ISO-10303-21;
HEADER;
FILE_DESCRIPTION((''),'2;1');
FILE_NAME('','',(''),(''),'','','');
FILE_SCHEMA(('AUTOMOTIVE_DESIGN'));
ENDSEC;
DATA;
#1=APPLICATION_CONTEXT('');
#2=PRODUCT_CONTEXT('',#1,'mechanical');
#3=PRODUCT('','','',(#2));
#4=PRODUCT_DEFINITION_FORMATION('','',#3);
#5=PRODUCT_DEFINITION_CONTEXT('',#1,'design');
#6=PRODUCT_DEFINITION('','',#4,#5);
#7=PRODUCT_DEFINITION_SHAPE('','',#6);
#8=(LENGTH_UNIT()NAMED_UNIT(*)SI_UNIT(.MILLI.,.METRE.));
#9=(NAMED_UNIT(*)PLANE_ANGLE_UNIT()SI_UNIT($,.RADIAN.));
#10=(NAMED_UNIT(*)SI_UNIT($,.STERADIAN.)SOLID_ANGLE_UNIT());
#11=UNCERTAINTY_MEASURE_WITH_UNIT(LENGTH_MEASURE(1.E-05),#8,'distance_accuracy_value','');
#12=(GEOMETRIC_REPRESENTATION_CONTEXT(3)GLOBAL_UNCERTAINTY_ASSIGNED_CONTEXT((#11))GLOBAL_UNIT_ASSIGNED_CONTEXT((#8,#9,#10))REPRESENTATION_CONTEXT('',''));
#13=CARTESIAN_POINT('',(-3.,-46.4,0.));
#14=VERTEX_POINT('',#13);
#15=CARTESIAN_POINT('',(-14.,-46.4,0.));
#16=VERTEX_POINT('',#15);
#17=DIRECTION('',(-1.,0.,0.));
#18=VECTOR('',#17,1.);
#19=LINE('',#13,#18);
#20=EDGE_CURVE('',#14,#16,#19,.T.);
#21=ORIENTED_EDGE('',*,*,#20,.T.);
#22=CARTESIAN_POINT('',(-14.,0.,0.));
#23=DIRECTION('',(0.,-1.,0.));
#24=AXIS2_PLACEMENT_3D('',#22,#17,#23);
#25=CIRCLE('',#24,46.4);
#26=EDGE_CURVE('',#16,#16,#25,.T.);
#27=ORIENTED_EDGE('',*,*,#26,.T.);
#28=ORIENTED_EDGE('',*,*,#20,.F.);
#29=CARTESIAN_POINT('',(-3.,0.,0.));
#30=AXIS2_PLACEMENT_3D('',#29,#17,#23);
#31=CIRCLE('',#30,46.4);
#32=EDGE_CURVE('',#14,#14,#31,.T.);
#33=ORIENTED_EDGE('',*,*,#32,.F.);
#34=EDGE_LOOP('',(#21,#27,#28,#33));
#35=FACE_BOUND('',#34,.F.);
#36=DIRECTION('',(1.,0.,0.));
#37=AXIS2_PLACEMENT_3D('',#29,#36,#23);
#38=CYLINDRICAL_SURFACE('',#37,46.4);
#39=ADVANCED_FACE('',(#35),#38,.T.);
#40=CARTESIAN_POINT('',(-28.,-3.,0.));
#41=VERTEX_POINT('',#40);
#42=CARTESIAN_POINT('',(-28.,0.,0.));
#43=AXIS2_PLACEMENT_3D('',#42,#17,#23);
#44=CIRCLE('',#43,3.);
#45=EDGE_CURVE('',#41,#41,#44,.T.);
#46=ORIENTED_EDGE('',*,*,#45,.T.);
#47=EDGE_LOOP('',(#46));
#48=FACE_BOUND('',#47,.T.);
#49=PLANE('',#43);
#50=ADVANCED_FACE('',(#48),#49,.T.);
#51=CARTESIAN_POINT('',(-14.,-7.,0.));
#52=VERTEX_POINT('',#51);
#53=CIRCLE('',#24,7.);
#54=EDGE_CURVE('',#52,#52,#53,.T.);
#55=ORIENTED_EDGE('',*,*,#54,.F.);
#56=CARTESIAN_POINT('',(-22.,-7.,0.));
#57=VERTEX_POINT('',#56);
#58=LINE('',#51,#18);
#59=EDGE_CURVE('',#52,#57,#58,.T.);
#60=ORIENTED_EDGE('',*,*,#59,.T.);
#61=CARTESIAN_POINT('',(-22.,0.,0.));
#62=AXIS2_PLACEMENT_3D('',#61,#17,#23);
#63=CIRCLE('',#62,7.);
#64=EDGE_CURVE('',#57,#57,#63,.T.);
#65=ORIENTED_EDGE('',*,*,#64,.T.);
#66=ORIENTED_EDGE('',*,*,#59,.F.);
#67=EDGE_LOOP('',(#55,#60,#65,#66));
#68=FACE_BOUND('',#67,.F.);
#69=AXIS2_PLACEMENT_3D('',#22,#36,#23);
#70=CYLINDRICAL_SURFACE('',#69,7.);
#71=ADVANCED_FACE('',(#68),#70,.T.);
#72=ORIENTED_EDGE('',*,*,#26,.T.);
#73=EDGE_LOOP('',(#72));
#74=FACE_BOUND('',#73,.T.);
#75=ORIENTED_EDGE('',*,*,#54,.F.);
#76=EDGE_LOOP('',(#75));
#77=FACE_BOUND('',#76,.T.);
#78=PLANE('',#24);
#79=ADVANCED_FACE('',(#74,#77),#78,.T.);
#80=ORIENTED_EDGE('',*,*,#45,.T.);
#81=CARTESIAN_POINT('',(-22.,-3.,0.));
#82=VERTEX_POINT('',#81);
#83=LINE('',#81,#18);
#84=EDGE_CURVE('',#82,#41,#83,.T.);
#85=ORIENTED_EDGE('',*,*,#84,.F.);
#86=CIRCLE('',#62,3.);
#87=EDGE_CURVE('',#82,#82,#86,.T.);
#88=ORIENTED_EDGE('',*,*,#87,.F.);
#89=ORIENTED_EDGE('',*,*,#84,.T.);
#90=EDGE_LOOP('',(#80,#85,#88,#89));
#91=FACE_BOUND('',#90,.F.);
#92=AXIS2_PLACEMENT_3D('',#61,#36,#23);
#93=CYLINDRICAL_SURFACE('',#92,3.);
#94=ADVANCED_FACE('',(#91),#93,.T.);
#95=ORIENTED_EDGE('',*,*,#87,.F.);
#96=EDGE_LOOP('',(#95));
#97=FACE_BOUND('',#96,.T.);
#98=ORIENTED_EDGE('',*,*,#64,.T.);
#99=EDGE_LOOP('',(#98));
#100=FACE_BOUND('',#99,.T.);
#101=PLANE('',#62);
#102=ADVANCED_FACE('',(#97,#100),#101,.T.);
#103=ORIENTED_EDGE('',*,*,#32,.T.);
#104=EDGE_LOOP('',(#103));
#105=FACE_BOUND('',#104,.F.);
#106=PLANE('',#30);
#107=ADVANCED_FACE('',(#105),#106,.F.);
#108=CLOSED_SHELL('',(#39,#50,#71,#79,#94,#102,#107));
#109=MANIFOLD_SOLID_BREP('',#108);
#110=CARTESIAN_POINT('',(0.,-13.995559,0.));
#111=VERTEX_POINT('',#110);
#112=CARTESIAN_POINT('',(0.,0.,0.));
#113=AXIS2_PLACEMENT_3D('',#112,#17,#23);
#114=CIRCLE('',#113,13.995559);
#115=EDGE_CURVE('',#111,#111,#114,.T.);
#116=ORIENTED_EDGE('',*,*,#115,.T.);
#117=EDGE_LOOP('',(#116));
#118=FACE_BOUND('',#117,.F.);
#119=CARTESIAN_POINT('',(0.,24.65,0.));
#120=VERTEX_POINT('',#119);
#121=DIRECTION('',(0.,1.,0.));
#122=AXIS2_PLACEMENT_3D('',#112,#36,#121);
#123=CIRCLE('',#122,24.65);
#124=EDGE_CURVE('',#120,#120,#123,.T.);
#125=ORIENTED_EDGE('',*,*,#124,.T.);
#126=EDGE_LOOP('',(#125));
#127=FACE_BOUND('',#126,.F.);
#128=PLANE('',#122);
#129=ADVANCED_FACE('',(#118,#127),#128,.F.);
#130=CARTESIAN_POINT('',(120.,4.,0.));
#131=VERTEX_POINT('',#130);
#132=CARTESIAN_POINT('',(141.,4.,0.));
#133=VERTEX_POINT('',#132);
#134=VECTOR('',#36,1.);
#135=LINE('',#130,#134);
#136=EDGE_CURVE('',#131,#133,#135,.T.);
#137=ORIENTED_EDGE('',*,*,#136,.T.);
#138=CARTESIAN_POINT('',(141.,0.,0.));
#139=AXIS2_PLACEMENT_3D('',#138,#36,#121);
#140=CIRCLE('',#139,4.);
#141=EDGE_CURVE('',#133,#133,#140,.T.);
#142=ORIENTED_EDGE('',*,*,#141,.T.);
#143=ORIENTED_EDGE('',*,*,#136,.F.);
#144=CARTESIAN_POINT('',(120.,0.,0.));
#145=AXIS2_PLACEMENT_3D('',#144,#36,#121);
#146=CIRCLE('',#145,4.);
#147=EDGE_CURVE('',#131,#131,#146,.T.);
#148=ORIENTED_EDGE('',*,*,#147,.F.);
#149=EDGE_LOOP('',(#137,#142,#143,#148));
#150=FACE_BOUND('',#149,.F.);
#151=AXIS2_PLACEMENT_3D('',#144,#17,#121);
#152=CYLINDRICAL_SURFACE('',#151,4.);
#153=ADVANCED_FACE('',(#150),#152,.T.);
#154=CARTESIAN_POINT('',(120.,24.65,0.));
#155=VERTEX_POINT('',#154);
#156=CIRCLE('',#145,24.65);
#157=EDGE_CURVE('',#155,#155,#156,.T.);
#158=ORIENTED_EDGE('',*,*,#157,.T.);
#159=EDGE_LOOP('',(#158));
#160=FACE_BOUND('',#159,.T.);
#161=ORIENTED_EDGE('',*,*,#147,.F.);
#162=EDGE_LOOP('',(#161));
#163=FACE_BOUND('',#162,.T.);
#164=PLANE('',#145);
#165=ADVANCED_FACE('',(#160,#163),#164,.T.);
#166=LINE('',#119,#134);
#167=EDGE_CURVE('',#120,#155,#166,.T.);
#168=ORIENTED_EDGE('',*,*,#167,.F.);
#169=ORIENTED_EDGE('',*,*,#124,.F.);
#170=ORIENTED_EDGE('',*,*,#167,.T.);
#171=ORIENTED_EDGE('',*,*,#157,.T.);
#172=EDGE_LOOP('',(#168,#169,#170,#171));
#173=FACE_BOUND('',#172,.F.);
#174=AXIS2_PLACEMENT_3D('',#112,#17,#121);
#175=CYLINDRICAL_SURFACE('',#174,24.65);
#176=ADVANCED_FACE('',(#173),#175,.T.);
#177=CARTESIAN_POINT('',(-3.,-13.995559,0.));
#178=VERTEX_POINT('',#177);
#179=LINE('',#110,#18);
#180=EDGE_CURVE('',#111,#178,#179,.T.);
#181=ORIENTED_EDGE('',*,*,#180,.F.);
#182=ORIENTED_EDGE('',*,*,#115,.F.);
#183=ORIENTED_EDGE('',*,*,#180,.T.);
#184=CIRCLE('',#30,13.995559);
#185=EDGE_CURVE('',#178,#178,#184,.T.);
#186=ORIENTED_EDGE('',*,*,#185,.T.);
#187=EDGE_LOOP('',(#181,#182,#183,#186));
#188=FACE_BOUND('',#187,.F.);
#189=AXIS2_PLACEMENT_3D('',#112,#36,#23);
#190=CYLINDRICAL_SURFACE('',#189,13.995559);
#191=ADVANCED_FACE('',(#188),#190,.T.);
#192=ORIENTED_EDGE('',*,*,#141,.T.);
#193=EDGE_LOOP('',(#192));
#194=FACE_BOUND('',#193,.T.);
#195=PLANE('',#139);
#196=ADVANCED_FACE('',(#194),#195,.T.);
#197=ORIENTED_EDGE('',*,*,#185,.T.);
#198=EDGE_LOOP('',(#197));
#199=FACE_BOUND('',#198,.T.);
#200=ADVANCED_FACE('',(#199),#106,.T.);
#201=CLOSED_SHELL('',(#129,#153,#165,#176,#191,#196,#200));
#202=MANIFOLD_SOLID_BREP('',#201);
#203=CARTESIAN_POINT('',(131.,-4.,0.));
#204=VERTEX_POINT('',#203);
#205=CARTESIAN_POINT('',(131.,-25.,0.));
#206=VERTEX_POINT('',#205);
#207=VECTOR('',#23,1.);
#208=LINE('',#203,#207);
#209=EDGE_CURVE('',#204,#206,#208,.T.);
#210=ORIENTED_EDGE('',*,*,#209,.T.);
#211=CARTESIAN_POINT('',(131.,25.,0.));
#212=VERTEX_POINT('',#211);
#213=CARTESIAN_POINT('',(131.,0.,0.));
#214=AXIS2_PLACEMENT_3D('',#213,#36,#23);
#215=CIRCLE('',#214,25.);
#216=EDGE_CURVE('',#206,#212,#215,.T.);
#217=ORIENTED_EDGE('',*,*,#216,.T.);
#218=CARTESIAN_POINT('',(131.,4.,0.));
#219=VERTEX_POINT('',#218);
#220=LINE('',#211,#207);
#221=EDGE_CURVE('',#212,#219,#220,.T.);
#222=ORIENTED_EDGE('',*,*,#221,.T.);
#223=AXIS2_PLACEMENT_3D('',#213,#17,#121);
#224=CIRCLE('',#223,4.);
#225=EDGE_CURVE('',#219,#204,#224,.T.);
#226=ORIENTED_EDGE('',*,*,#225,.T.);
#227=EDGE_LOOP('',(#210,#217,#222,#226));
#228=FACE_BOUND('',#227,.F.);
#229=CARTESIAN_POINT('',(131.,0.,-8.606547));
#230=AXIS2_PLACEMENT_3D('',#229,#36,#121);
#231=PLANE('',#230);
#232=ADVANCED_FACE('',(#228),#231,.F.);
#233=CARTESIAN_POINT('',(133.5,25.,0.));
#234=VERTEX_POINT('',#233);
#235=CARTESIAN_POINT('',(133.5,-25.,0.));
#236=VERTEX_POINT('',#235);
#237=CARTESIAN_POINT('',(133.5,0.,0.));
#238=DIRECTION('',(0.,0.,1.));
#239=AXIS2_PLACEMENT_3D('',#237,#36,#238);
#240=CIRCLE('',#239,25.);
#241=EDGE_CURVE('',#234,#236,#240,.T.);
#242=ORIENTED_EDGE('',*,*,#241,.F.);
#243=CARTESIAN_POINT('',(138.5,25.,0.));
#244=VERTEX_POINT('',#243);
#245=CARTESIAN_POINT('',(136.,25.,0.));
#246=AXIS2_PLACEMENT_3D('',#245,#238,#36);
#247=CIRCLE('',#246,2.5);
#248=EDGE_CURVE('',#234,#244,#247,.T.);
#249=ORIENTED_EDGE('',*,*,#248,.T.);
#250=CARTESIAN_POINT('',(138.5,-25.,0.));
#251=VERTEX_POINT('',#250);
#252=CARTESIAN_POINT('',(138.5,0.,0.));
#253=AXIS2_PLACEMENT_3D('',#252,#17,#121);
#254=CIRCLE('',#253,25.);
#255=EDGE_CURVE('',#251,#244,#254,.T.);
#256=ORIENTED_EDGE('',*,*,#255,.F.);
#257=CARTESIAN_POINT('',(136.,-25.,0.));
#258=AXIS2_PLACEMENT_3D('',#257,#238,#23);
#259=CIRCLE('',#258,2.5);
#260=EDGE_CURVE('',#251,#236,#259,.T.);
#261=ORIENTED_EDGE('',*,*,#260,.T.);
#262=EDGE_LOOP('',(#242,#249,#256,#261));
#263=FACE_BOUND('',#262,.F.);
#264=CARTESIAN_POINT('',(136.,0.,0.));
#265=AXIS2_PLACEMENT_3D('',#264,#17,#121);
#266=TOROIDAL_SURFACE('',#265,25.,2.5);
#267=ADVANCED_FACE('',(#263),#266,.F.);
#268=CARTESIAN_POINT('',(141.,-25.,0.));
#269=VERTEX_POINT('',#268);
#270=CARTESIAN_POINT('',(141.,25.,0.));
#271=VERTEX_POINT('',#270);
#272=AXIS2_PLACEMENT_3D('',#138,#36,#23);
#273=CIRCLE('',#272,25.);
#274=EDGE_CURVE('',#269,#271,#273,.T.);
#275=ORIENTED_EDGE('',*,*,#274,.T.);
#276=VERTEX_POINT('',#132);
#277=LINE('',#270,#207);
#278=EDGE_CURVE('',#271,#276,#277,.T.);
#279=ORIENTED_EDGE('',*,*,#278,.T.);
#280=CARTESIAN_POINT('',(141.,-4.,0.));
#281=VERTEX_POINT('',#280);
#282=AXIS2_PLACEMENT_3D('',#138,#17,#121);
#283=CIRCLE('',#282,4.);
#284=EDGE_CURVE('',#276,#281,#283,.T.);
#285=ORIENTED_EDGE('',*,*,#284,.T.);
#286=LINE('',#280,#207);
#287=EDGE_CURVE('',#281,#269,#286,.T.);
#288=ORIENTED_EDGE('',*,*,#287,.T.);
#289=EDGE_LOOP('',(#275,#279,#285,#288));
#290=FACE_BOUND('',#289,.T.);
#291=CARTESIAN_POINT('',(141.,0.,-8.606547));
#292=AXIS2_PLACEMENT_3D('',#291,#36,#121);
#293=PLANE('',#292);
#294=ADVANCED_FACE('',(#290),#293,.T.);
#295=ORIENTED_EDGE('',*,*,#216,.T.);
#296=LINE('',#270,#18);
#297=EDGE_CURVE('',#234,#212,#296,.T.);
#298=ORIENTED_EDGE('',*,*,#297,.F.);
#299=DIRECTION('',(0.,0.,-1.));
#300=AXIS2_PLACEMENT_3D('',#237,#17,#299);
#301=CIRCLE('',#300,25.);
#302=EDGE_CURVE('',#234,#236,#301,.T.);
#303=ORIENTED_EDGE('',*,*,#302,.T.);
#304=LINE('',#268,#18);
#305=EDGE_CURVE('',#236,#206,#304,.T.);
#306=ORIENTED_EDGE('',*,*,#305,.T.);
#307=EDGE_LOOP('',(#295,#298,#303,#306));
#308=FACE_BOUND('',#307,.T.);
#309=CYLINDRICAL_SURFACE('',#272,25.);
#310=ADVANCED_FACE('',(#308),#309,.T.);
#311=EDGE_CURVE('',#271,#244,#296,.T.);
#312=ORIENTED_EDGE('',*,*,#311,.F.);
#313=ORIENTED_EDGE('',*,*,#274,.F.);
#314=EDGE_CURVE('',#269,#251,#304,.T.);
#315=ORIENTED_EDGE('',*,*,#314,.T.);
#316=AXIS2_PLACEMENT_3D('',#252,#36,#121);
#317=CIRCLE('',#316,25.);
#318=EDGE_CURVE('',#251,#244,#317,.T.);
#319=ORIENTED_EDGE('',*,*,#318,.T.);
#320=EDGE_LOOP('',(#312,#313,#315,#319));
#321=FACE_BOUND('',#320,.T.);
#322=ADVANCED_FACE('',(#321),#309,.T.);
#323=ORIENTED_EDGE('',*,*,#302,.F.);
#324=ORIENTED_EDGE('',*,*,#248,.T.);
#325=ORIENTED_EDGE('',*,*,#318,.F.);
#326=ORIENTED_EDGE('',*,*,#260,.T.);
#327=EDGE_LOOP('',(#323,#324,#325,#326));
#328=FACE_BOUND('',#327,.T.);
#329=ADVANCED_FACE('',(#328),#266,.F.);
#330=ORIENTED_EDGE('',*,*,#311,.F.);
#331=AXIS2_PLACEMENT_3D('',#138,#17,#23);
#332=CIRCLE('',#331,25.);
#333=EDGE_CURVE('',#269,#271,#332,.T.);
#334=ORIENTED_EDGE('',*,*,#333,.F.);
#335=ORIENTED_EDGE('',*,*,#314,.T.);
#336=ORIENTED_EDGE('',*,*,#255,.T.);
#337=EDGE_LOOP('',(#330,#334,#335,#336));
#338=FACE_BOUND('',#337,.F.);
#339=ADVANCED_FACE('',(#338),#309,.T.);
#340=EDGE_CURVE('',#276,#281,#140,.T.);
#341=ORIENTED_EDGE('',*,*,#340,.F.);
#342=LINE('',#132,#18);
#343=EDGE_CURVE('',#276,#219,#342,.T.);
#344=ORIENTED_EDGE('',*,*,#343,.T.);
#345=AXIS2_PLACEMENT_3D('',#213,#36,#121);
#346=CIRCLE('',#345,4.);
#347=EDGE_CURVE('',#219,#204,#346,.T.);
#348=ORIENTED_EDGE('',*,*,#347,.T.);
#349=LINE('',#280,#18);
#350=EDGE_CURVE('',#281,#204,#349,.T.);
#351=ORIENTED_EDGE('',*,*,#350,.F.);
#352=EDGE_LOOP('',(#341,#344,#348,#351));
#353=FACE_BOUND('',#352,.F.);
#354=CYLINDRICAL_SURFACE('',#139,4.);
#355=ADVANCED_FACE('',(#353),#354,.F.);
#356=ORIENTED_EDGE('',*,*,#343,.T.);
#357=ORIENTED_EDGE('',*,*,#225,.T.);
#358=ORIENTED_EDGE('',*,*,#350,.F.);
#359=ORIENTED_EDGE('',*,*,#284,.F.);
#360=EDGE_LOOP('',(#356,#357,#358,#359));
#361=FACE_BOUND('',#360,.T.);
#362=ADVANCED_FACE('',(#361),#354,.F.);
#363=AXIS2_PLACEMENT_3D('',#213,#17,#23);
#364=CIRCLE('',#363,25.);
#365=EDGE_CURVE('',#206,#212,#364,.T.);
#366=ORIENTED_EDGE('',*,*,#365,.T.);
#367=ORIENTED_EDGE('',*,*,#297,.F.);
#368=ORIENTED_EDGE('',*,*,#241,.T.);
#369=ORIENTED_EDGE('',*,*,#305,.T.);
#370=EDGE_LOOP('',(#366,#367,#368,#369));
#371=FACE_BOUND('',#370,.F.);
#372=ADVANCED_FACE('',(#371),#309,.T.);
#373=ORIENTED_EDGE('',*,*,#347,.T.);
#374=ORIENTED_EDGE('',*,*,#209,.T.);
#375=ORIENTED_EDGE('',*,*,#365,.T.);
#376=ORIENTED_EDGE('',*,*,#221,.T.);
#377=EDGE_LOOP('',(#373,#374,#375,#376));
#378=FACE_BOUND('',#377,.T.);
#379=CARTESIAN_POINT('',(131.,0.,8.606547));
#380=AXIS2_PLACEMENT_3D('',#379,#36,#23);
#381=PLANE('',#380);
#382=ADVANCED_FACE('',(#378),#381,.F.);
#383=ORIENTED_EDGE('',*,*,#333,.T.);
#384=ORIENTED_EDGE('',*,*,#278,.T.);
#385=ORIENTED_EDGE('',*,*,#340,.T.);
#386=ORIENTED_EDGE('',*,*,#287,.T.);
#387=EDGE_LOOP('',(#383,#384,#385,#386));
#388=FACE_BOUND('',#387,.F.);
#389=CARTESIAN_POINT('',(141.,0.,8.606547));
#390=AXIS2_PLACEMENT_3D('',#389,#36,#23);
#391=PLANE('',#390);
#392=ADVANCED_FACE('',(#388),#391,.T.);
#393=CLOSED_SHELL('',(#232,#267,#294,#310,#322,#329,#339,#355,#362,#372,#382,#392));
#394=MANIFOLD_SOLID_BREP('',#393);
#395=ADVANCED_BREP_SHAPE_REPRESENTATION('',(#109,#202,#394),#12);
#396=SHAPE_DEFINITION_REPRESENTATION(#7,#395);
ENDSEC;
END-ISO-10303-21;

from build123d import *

# Parameters (mm, degrees)
F0_R      = 24.65
F1_DEPTH  = 120
F2_R      = 4
F3_DEPTH  = 21
F4_R      = 13.995558834
F5_DEPTH  = 3
F6_R      = 46.4
F6_R_2    = 13.995558834
F7_DEPTH  = 11
F8_R      = 7
F9_DEPTH  = 8
F10_R     = 3
F11_DEPTH = 6
F13_DEPTH = 10
F15_R     = 2.5


with BuildPart() as f1:
    # F0 (on Right) → F1 (new body)
    with BuildSketch(Plane.YZ):
        Circle(F0_R)
    extrude(amount=F1_DEPTH)

    # F2 (on face) → F3 (join)
    with BuildSketch(Plane.YZ.offset(120)):
        Circle(F2_R)
    extrude(amount=F3_DEPTH)

    # F4 (on face) → F5 (join)
    with BuildSketch(Plane(origin=(0, 0, 0), x_dir=(0, -1, 0), z_dir=(-1, 0, 0))):
        Circle(F4_R)
    extrude(amount=F5_DEPTH)


with BuildPart() as f7:
    # F6 (on face) → F7 (new body)
    with BuildSketch(Plane(origin=(-3, 0, 0), x_dir=(0, -1, 0), z_dir=(-1, 0, 0))):
        Circle(F6_R)
        Circle(F6_R_2, mode=Mode.SUBTRACT)
        Circle(F6_R_2)
    extrude(amount=F7_DEPTH)

    # F8 (on face) → F9 (join)
    with BuildSketch(Plane(origin=(-14, 0, 0), x_dir=(0, -1, 0), z_dir=(-1, 0, 0))):
        Circle(F8_R)
    extrude(amount=F9_DEPTH)

    # F10 (on face) → F11 (join)
    with BuildSketch(Plane(origin=(-22, 0, 0), x_dir=(0, -1, 0), z_dir=(-1, 0, 0))):
        Circle(F10_R)
    extrude(amount=F11_DEPTH)


with BuildPart() as f13:
    # F12 (on face) → F13 (new body)
    with BuildSketch(Plane.YZ.offset(141)):
        with BuildLine():
            ThreePointArc((4, 0), (0, -4), (-4, 0))
            Line((-4, 0), (-25, 0))
            ThreePointArc((-25, 0), (0, -25), (25, 0))
            Line((25, 0), (4, 0))
        make_face()
    extrude(amount=-F13_DEPTH)

    # F15 (on Top) → F16 (revolve, cut)
    with BuildSketch(Plane.XY):
        with Locations((136, 25)):
            Circle(F15_R)
    revolve(axis=Axis((251.4820694923, 0, 0), (1, 0, 0)), mode=Mode.SUBTRACT)

    # F17: F13 across plane


with BuildPart() as f13_1:
    add(f13.part)
    add(f13.part.mirror(Plane.XY))


solid = Compound([f1.part, f7.part, f13_1.part])
